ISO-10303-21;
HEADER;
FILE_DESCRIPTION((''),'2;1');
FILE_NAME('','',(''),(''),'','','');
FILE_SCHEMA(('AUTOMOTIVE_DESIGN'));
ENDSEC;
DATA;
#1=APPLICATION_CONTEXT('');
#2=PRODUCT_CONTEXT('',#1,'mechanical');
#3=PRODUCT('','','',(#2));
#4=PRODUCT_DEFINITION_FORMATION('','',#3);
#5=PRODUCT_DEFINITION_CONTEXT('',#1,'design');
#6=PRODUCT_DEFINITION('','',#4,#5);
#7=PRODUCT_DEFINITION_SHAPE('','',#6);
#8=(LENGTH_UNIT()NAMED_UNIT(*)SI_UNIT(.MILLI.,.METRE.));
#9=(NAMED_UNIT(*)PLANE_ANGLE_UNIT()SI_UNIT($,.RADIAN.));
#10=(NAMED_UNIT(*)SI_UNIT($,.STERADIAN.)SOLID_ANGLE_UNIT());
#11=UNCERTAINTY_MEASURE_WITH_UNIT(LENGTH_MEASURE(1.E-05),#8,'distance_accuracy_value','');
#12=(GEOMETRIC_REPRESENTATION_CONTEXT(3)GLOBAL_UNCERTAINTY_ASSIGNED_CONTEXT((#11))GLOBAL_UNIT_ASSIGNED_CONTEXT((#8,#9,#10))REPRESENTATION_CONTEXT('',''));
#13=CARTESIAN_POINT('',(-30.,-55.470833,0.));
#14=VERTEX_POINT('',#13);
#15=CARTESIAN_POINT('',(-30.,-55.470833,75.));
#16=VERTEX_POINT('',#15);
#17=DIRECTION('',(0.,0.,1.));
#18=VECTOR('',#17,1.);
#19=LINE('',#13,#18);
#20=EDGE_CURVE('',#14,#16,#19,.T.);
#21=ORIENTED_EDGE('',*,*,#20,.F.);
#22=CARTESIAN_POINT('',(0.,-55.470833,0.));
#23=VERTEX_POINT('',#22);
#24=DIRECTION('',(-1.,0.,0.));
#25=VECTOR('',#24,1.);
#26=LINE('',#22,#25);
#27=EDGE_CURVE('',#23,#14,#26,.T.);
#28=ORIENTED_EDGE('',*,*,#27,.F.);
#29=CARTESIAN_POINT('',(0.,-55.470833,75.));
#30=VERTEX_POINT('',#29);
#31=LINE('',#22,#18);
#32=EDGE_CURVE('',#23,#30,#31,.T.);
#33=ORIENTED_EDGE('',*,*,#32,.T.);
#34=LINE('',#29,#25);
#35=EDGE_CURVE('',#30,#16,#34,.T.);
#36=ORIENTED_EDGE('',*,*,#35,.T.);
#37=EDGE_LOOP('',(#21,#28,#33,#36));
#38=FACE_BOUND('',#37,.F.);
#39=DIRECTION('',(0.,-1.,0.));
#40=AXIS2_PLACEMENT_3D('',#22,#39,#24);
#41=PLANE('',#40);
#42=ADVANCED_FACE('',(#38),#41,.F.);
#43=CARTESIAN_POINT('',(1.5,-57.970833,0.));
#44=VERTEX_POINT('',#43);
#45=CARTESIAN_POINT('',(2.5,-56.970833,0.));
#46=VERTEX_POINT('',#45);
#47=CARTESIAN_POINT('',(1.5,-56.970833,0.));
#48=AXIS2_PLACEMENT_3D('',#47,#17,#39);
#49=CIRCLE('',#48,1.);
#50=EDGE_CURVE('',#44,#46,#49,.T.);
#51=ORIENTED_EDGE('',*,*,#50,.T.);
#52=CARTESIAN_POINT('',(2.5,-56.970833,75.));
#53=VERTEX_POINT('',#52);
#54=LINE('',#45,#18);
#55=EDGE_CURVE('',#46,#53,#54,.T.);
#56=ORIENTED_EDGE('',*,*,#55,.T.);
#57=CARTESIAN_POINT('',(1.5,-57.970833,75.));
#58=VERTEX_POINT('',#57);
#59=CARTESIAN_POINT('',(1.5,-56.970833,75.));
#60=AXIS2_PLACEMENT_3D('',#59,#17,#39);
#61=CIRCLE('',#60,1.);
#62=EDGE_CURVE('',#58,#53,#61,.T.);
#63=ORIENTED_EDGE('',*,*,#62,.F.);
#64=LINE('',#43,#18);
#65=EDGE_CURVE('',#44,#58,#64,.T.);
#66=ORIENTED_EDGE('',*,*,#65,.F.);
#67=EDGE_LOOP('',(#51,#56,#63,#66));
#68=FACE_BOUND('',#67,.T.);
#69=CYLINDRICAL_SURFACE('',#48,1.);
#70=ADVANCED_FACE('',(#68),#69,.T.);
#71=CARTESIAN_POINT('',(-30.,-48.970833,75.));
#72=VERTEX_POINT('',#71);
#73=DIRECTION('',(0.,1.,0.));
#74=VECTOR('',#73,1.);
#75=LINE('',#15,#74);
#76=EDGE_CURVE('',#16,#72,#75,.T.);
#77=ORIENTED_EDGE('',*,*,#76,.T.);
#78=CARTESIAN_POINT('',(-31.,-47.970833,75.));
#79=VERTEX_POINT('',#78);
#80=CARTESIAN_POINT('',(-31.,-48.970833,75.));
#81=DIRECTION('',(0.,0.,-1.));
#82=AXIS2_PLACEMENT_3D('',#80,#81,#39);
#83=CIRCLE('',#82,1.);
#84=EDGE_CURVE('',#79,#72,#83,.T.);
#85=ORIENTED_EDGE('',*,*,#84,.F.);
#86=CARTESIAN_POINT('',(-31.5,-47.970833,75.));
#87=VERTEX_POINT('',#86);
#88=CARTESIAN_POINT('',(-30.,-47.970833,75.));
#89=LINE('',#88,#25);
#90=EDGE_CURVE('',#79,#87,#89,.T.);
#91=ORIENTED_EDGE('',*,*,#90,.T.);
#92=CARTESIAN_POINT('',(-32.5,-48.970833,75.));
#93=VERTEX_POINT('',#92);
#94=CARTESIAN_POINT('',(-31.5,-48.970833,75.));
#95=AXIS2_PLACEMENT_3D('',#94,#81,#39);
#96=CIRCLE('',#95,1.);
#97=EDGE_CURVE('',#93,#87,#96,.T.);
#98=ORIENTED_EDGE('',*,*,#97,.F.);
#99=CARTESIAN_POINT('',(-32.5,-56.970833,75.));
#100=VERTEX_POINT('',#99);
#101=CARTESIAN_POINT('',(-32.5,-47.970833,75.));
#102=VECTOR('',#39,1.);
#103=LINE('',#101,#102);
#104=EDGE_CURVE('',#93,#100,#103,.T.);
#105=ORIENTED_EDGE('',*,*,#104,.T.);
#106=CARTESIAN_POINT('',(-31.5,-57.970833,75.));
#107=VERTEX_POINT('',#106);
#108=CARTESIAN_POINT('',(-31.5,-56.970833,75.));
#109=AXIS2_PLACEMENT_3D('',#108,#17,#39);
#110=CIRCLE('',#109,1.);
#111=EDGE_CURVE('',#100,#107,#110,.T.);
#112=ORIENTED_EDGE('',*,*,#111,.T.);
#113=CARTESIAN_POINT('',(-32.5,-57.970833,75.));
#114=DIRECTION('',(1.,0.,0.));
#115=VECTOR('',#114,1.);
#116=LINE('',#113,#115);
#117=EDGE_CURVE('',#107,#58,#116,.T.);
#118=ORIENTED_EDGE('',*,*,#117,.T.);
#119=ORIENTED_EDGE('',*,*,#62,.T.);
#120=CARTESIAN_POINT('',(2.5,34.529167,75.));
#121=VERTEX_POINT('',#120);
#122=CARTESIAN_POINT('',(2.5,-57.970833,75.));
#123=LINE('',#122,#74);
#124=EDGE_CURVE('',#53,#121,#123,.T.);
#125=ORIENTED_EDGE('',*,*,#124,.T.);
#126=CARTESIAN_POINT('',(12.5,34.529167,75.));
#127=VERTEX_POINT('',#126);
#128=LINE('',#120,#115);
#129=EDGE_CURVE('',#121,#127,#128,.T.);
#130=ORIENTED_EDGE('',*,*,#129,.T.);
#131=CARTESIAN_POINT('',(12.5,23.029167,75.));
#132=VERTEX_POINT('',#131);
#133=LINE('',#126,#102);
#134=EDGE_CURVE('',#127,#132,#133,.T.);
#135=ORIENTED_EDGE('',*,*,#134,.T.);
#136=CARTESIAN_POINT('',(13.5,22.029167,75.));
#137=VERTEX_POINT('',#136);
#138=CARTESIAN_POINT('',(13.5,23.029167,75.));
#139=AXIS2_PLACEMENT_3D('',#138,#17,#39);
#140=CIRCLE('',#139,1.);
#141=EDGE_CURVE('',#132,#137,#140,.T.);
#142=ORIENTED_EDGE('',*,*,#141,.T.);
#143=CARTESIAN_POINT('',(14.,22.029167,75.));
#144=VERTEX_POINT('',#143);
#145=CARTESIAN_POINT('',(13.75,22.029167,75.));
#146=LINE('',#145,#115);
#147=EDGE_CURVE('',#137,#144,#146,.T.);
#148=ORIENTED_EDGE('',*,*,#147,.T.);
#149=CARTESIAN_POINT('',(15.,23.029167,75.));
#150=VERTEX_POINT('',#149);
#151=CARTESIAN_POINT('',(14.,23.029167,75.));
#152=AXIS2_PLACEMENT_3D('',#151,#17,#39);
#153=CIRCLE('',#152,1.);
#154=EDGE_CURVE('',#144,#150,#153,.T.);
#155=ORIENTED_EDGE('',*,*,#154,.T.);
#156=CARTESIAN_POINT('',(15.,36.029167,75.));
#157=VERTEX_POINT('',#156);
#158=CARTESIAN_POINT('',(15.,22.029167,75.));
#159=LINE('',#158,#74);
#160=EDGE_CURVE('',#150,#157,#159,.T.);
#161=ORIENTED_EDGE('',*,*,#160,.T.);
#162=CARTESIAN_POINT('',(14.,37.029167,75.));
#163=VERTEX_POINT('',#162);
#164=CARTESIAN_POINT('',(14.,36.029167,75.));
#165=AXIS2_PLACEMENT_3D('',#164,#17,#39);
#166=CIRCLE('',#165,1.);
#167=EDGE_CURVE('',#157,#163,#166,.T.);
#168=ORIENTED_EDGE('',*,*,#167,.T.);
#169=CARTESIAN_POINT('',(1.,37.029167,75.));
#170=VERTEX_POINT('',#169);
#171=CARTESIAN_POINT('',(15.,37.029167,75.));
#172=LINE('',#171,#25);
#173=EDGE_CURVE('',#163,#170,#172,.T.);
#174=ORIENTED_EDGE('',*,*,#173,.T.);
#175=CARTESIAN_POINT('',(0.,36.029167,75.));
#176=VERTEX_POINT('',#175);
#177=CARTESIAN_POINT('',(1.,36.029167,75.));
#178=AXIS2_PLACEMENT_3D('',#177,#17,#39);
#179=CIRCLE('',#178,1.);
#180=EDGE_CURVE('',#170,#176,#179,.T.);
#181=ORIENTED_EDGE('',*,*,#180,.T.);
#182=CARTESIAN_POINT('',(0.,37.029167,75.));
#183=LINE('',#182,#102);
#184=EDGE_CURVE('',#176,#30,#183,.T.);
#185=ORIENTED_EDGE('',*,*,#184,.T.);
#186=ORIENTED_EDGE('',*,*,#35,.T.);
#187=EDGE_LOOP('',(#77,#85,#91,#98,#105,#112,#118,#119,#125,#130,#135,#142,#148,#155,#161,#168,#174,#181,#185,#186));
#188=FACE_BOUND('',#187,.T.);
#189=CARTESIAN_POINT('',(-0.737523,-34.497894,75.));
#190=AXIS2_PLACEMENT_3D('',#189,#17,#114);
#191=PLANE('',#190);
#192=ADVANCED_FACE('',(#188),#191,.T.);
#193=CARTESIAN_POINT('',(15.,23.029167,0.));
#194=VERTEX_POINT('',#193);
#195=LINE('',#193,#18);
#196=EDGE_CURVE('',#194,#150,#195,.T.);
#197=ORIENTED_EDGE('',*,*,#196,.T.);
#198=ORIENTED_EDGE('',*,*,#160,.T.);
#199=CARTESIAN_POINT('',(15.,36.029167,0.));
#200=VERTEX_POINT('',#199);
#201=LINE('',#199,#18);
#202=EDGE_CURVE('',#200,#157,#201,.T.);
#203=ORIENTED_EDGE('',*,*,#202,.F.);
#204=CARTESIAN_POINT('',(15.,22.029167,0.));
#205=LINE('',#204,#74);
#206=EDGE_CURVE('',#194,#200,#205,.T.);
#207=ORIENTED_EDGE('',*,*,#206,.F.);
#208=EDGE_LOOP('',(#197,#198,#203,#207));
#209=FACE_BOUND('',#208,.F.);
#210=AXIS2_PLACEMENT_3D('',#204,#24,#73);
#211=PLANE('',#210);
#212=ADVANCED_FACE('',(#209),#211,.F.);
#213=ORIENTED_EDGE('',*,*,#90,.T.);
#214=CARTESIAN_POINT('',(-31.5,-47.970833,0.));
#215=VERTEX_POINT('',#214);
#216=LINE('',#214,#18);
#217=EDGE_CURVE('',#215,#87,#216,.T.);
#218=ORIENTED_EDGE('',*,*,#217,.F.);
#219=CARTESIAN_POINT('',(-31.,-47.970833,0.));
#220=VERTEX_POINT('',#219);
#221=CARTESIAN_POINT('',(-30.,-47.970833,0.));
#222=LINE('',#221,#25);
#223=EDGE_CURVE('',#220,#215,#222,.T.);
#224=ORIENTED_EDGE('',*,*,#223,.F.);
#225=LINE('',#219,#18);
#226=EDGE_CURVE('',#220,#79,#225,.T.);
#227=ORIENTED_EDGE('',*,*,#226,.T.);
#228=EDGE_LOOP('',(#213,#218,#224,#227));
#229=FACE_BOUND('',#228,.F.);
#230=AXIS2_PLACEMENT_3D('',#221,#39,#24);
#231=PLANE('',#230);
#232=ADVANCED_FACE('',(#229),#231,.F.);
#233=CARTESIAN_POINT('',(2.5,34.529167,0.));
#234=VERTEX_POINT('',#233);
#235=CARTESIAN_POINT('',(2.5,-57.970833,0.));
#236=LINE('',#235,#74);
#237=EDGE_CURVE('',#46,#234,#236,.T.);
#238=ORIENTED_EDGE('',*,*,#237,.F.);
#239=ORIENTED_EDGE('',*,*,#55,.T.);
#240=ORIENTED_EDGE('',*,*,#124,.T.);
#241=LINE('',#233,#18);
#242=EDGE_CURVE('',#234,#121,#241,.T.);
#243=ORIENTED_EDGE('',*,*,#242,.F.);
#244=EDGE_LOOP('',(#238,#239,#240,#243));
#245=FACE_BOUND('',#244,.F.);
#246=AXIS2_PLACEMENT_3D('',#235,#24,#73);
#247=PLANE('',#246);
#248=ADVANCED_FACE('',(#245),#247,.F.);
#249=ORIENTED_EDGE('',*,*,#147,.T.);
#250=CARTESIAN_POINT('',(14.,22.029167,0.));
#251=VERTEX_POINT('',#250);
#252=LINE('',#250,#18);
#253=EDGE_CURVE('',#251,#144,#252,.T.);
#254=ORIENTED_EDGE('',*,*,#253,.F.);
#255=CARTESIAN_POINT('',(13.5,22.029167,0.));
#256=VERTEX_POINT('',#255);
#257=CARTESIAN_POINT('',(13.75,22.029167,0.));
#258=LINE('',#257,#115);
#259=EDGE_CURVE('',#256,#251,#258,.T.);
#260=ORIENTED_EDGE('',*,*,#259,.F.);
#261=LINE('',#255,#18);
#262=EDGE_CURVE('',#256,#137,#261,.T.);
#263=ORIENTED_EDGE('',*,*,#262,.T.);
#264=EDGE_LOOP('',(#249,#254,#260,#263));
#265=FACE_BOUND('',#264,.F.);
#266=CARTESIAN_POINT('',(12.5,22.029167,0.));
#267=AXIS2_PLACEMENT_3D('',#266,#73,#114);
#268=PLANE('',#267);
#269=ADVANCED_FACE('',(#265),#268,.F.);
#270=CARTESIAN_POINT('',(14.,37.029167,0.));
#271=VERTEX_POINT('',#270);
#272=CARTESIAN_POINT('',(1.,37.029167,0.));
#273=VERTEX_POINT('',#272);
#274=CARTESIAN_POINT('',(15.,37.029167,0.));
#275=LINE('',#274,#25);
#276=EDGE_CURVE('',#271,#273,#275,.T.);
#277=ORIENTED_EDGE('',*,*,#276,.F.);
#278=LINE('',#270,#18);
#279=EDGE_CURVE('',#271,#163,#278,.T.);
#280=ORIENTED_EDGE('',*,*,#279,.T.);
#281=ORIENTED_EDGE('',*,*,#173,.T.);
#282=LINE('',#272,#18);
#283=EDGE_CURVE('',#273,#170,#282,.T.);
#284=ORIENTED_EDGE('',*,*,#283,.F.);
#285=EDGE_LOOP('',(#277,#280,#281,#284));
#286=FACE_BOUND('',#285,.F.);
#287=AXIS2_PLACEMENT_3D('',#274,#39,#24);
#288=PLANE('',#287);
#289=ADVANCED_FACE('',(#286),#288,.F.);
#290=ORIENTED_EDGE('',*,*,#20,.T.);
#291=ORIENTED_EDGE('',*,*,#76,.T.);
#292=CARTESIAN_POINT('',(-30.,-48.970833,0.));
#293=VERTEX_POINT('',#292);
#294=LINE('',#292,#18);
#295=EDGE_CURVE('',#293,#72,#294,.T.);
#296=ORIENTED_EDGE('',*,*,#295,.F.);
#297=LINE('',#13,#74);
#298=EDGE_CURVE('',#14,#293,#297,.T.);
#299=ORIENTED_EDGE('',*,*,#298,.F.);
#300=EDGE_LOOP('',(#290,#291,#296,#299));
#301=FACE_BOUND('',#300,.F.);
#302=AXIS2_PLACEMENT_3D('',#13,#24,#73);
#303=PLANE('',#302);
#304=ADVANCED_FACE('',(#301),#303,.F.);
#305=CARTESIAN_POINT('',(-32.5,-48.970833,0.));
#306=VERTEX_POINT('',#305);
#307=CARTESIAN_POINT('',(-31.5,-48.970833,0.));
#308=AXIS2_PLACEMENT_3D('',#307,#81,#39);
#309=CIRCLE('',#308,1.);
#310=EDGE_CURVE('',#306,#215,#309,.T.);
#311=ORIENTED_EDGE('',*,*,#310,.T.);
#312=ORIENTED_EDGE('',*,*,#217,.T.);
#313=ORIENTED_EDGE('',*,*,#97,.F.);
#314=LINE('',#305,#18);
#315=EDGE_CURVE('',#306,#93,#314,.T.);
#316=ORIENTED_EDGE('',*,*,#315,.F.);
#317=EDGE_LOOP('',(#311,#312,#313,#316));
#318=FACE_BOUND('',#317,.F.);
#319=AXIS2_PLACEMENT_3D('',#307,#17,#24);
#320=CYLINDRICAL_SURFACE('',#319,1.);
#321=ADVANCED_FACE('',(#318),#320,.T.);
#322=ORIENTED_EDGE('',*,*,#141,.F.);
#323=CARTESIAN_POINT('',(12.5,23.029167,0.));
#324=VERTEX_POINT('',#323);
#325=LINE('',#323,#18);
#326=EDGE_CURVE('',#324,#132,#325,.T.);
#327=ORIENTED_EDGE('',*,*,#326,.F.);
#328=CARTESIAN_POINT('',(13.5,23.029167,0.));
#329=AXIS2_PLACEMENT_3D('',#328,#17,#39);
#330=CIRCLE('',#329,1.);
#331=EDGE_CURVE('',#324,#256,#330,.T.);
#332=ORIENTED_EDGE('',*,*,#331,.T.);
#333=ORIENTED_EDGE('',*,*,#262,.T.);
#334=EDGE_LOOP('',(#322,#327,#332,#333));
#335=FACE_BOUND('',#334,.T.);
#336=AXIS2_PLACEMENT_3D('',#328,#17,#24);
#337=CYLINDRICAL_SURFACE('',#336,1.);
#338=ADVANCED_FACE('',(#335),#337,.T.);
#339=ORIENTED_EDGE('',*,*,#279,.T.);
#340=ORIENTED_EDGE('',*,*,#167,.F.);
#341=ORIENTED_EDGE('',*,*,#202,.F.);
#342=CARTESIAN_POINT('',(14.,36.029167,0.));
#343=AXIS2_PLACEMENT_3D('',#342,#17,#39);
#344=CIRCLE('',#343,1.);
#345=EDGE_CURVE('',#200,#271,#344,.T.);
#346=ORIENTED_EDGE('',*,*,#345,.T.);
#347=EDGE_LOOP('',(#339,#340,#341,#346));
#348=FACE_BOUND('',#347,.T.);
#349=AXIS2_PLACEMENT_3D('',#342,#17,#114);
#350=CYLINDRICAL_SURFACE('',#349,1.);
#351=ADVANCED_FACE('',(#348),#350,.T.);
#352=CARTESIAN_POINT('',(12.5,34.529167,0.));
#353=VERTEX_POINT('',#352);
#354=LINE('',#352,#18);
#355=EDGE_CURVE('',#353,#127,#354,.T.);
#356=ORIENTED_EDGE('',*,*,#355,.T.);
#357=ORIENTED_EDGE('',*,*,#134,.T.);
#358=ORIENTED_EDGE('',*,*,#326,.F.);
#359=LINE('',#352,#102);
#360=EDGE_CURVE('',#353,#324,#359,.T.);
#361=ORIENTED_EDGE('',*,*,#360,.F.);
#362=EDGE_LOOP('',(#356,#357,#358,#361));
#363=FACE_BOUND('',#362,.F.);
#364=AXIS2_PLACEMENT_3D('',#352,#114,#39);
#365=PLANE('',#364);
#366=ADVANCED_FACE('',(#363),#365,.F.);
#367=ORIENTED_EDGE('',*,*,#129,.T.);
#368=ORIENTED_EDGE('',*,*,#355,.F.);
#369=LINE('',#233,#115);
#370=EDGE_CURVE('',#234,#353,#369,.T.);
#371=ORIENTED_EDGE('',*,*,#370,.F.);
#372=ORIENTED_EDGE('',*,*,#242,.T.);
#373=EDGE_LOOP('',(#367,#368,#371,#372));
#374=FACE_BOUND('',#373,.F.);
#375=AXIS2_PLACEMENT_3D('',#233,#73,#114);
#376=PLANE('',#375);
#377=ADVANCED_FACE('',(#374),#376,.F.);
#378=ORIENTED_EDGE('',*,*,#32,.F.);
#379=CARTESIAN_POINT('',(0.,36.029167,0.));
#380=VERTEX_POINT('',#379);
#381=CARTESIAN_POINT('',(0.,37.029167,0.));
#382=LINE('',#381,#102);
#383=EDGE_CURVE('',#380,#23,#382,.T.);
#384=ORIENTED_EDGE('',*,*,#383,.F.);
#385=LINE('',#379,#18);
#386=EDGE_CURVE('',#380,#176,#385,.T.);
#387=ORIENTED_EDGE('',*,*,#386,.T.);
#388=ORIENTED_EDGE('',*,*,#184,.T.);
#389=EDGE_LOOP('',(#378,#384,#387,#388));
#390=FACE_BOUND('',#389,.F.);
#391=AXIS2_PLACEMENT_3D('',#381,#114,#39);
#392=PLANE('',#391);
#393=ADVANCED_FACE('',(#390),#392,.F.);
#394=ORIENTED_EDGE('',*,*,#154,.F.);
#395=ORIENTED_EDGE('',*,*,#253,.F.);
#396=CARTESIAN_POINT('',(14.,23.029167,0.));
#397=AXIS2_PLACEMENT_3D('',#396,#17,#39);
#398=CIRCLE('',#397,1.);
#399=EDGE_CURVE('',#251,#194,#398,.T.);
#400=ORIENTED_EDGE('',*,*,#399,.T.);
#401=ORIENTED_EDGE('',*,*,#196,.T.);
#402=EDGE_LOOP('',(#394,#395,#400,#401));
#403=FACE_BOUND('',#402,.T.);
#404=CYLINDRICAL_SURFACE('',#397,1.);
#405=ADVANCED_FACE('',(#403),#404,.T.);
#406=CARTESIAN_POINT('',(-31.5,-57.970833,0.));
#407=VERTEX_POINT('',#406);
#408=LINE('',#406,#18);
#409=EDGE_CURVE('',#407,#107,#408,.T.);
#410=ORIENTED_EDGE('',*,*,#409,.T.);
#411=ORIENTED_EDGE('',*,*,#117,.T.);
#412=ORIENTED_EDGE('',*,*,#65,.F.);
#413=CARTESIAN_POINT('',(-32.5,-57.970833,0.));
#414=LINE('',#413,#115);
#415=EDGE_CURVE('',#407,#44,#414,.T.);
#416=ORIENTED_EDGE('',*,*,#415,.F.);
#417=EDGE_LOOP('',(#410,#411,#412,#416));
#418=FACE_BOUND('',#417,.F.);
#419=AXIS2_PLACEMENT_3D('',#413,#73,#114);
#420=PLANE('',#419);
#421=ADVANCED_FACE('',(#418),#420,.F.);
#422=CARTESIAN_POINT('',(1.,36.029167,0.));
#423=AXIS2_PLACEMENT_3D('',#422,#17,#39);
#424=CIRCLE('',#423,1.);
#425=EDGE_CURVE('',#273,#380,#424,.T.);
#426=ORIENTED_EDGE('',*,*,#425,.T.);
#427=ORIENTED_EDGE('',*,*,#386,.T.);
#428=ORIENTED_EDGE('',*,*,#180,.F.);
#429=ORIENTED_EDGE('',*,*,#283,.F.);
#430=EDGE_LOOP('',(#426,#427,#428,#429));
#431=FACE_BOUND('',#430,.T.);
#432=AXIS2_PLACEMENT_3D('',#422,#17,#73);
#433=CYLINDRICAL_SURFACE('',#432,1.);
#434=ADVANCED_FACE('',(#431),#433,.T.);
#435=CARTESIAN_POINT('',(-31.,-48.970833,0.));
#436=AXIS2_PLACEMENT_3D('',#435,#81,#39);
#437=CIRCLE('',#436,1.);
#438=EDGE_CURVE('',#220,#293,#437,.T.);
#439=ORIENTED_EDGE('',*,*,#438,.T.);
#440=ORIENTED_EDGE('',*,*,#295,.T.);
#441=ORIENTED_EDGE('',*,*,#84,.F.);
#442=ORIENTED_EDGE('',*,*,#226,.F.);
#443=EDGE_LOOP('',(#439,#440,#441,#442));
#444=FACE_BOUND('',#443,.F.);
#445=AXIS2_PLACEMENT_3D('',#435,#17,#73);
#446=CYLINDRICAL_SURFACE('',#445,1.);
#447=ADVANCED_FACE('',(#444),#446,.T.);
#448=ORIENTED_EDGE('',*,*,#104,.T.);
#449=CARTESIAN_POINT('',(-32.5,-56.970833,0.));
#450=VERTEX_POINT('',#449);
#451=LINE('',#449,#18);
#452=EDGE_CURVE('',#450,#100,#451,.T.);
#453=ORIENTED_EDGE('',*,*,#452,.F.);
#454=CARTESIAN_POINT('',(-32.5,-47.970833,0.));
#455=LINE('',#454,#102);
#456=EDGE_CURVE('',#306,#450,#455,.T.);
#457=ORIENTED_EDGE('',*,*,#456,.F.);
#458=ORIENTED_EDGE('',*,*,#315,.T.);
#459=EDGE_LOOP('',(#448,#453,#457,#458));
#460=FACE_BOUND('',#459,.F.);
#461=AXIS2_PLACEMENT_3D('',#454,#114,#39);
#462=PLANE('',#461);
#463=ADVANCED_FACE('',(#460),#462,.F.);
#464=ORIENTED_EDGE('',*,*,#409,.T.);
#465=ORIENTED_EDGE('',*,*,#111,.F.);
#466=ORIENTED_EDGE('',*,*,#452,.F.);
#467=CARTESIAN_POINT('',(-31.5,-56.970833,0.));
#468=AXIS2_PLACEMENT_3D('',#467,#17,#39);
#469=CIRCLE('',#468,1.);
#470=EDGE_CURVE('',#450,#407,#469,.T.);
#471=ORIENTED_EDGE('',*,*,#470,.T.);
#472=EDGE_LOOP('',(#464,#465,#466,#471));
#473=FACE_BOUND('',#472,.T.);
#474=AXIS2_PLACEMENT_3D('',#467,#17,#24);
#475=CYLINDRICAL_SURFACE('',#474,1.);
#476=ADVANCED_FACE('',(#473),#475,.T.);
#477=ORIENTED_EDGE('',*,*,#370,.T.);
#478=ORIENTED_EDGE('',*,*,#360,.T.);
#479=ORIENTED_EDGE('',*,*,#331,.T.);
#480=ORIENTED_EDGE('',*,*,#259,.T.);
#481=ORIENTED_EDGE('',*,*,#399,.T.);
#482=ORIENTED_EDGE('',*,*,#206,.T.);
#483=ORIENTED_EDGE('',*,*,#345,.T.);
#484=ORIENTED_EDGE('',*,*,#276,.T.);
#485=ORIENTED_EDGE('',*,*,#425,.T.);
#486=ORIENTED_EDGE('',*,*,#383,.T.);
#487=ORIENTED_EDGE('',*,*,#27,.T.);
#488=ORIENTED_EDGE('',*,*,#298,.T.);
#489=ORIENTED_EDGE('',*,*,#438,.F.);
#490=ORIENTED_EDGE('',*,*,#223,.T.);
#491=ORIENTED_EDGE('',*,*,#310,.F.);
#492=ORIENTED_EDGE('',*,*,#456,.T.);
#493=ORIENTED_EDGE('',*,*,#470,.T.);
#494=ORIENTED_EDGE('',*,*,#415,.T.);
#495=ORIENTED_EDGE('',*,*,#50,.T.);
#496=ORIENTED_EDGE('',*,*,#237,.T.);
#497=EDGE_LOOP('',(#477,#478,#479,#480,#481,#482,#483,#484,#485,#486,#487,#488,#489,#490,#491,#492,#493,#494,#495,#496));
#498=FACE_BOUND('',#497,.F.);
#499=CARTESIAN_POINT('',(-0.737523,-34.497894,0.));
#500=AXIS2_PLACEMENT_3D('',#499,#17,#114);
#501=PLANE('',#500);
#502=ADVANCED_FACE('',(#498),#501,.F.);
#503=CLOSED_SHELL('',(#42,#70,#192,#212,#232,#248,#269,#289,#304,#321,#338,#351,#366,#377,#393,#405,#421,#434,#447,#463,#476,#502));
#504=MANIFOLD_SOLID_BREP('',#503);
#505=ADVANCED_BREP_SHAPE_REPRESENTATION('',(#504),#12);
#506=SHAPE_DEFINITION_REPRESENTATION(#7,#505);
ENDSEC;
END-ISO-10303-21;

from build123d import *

# Parameters (mm, degrees)
F0_W     = 2.5
F0_H     = 6.25
F1_DEPTH = 75
F2_R     = 1
F3_R     = 1


with BuildPart() as f1:
    # F0 (on Top) → F1 (new body)
    with BuildSketch(Plane.XY):
        Polygon((2.5, 0), (0, 0), (0, -55.470833), (-15, -55.470833), (-15, -57.970833), (2.5, -57.970833), align=None)
        Polygon((7.5, 34.529167), (7.5, 37.029167), (0, 37.029167), (0, 0), (2.5, 0), (2.5, 34.529167), align=None)
        Polygon((12.5, 28.279167), (15, 28.279167), (15, 37.029167), (7.5, 37.029167), (7.5, 34.529167), (12.5, 34.529167), align=None)
        with Locations((13.75, 25.154167)):
            Rectangle(F0_W, F0_H)
        Polygon((-15, -57.970833), (-15, -55.470833), (-30, -55.470833), (-30, -47.970833), (-32.5, -47.970833), (-32.5, -57.970833), align=None)
    extrude(amount=F1_DEPTH)

    # F2
    f2_edges = [f1.edges().sort_by_distance(p)[0] for p in [
        (-32.5, -57.970833, 37.5),
        (2.5, -57.970833, 37.5),
        (15, 37.029167, 37.5),
        (0, 37.029167, 37.5),
    ]]
    fillet(f2_edges, radius=F2_R)

    # F3
    f3_edges = [f1.edges().sort_by_distance(p)[0] for p in [
        (-30, -47.970833, 37.5),
        (-32.5, -47.970833, 37.5),
        (15, 22.029167, 37.5),
        (12.5, 22.029167, 37.5),
    ]]
    fillet(f3_edges, radius=F3_R)


solid = f1.part
